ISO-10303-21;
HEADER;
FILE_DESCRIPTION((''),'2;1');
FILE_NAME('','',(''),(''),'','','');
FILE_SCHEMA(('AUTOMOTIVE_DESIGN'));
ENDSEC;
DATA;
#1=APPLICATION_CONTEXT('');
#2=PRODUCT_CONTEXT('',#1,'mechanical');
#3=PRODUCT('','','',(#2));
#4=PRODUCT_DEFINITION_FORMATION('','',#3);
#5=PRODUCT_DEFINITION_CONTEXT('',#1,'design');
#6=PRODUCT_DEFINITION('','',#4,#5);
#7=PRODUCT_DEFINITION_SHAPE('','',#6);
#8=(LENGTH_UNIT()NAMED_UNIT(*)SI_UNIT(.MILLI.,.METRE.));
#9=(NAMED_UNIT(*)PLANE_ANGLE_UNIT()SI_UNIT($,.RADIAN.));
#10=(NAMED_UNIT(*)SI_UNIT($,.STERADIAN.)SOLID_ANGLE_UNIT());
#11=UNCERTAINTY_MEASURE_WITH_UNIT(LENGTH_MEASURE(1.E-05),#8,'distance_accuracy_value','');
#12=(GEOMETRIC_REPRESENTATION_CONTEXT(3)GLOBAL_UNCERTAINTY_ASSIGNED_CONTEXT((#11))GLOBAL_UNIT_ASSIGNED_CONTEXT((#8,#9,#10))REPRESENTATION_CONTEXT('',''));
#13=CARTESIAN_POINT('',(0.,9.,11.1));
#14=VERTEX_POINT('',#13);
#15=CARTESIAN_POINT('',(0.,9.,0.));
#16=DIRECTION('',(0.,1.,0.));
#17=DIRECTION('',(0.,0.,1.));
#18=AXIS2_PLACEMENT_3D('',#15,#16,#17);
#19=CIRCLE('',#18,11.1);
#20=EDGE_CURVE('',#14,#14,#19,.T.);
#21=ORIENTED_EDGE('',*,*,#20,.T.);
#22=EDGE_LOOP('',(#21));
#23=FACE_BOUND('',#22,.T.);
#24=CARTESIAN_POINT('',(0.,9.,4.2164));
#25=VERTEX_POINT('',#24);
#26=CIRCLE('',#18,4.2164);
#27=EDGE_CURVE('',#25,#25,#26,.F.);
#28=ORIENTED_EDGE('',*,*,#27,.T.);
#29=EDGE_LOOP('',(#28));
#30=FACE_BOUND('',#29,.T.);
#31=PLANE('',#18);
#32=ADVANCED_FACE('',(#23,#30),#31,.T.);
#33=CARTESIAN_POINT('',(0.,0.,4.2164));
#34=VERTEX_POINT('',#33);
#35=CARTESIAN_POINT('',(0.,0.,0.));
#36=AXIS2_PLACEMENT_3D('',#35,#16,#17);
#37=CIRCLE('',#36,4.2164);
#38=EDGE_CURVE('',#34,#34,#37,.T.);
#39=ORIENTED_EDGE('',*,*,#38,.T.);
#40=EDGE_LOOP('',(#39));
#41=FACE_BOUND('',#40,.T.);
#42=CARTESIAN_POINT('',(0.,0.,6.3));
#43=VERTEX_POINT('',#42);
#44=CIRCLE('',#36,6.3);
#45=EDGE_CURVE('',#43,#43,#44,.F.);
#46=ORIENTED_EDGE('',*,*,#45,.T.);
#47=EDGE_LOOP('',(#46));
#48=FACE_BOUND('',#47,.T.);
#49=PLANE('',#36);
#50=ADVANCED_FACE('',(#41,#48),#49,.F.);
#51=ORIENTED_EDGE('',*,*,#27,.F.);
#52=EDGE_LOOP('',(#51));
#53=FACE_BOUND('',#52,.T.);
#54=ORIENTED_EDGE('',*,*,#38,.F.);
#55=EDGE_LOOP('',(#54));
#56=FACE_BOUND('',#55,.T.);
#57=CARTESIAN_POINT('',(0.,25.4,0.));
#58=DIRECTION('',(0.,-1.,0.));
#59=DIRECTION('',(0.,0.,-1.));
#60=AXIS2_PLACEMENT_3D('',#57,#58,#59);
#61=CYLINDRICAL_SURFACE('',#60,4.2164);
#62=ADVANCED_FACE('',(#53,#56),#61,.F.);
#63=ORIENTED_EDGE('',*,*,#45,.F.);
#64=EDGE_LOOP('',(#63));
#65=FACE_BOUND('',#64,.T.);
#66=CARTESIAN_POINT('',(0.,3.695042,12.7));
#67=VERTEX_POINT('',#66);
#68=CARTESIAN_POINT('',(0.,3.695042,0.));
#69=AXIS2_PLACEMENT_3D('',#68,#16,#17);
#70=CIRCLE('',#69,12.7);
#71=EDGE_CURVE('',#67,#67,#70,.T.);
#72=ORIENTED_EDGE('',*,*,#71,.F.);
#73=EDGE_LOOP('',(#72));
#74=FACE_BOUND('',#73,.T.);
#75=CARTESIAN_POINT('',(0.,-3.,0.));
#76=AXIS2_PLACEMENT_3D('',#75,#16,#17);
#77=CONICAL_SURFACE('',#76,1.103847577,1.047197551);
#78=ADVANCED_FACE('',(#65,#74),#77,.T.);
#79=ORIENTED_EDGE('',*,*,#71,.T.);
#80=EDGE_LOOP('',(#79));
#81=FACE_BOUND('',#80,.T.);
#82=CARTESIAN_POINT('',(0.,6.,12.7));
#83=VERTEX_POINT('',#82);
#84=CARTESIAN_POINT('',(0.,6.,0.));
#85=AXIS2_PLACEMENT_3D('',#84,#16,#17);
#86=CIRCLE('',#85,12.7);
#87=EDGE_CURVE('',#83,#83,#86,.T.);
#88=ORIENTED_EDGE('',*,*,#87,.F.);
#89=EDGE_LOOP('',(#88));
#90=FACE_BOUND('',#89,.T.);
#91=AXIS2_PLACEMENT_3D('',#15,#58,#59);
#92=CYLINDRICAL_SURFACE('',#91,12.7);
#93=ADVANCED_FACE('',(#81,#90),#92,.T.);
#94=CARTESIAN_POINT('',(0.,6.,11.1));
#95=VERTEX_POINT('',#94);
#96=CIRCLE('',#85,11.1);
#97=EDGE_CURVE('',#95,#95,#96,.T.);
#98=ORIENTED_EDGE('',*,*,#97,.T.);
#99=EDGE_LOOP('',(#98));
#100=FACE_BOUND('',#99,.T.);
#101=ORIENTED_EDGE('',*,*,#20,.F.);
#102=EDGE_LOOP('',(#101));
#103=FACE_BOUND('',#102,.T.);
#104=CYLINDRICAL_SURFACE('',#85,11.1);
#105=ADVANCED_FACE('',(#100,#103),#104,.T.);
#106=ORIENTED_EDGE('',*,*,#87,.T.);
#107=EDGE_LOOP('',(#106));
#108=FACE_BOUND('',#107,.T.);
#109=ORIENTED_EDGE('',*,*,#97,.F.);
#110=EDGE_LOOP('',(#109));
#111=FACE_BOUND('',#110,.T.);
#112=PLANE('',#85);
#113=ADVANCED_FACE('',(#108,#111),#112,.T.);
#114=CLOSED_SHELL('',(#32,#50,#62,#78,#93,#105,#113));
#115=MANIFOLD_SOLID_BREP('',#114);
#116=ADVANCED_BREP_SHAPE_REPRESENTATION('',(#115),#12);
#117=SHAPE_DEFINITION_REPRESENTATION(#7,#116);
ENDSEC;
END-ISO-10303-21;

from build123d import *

# Parameters (mm, degrees)
SKETCH1_R         = 12.7
EXTRUDE1_DEPTH    = 9
SKETCH2_R         = 4.2164
EXTRUDE2_DEPTH    = 25.4
SKETCH3_OUTSIDE_W = 34.806
SKETCH3_OUTSIDE_H = 34.806
SKETCH3_OUTSIDE_R = 11.1
EXTRUDE3_DEPTH    = 3


with BuildPart() as part:
    # Sketch1 → Extrude1 (new body)
    with BuildSketch(Plane(origin=(0, 0, 0), x_dir=(1, 0, 0), z_dir=(0, 1, 0))):
        Circle(SKETCH1_R)
    extrude(amount=EXTRUDE1_DEPTH)

    # Sketch2 → Extrude2 (cut)
    with BuildSketch(Plane(origin=(0, 0, 0), x_dir=(1, 0, 0), z_dir=(0, 1, 0))):
        Circle(SKETCH2_R)
    extrude(amount=EXTRUDE2_DEPTH, mode=Mode.SUBTRACT)

    # Sketch3 outside → Extrude3 (cut)
    with BuildSketch(Plane(origin=(0, 9, 0), x_dir=(1, 0, 0), z_dir=(0, 1, 0))):
        Rectangle(SKETCH3_OUTSIDE_W, SKETCH3_OUTSIDE_H)
        Circle(SKETCH3_OUTSIDE_R, mode=Mode.SUBTRACT)
    extrude(amount=-EXTRUDE3_DEPTH, mode=Mode.SUBTRACT)

    # Sketch6 → Cut-Revolve1 (revolve, cut)
    with BuildSketch(Plane(origin=(0, 0, 0), x_dir=(0, 0, -1), z_dir=(1, 0, 0))):
        Polygon((-1.103847577, -3), (-15, 5.022947342), (-15, -3), align=None)
    revolve(axis=Axis((0, 0, 0), (0, -1, 0)), mode=Mode.SUBTRACT)


solid = part.part
